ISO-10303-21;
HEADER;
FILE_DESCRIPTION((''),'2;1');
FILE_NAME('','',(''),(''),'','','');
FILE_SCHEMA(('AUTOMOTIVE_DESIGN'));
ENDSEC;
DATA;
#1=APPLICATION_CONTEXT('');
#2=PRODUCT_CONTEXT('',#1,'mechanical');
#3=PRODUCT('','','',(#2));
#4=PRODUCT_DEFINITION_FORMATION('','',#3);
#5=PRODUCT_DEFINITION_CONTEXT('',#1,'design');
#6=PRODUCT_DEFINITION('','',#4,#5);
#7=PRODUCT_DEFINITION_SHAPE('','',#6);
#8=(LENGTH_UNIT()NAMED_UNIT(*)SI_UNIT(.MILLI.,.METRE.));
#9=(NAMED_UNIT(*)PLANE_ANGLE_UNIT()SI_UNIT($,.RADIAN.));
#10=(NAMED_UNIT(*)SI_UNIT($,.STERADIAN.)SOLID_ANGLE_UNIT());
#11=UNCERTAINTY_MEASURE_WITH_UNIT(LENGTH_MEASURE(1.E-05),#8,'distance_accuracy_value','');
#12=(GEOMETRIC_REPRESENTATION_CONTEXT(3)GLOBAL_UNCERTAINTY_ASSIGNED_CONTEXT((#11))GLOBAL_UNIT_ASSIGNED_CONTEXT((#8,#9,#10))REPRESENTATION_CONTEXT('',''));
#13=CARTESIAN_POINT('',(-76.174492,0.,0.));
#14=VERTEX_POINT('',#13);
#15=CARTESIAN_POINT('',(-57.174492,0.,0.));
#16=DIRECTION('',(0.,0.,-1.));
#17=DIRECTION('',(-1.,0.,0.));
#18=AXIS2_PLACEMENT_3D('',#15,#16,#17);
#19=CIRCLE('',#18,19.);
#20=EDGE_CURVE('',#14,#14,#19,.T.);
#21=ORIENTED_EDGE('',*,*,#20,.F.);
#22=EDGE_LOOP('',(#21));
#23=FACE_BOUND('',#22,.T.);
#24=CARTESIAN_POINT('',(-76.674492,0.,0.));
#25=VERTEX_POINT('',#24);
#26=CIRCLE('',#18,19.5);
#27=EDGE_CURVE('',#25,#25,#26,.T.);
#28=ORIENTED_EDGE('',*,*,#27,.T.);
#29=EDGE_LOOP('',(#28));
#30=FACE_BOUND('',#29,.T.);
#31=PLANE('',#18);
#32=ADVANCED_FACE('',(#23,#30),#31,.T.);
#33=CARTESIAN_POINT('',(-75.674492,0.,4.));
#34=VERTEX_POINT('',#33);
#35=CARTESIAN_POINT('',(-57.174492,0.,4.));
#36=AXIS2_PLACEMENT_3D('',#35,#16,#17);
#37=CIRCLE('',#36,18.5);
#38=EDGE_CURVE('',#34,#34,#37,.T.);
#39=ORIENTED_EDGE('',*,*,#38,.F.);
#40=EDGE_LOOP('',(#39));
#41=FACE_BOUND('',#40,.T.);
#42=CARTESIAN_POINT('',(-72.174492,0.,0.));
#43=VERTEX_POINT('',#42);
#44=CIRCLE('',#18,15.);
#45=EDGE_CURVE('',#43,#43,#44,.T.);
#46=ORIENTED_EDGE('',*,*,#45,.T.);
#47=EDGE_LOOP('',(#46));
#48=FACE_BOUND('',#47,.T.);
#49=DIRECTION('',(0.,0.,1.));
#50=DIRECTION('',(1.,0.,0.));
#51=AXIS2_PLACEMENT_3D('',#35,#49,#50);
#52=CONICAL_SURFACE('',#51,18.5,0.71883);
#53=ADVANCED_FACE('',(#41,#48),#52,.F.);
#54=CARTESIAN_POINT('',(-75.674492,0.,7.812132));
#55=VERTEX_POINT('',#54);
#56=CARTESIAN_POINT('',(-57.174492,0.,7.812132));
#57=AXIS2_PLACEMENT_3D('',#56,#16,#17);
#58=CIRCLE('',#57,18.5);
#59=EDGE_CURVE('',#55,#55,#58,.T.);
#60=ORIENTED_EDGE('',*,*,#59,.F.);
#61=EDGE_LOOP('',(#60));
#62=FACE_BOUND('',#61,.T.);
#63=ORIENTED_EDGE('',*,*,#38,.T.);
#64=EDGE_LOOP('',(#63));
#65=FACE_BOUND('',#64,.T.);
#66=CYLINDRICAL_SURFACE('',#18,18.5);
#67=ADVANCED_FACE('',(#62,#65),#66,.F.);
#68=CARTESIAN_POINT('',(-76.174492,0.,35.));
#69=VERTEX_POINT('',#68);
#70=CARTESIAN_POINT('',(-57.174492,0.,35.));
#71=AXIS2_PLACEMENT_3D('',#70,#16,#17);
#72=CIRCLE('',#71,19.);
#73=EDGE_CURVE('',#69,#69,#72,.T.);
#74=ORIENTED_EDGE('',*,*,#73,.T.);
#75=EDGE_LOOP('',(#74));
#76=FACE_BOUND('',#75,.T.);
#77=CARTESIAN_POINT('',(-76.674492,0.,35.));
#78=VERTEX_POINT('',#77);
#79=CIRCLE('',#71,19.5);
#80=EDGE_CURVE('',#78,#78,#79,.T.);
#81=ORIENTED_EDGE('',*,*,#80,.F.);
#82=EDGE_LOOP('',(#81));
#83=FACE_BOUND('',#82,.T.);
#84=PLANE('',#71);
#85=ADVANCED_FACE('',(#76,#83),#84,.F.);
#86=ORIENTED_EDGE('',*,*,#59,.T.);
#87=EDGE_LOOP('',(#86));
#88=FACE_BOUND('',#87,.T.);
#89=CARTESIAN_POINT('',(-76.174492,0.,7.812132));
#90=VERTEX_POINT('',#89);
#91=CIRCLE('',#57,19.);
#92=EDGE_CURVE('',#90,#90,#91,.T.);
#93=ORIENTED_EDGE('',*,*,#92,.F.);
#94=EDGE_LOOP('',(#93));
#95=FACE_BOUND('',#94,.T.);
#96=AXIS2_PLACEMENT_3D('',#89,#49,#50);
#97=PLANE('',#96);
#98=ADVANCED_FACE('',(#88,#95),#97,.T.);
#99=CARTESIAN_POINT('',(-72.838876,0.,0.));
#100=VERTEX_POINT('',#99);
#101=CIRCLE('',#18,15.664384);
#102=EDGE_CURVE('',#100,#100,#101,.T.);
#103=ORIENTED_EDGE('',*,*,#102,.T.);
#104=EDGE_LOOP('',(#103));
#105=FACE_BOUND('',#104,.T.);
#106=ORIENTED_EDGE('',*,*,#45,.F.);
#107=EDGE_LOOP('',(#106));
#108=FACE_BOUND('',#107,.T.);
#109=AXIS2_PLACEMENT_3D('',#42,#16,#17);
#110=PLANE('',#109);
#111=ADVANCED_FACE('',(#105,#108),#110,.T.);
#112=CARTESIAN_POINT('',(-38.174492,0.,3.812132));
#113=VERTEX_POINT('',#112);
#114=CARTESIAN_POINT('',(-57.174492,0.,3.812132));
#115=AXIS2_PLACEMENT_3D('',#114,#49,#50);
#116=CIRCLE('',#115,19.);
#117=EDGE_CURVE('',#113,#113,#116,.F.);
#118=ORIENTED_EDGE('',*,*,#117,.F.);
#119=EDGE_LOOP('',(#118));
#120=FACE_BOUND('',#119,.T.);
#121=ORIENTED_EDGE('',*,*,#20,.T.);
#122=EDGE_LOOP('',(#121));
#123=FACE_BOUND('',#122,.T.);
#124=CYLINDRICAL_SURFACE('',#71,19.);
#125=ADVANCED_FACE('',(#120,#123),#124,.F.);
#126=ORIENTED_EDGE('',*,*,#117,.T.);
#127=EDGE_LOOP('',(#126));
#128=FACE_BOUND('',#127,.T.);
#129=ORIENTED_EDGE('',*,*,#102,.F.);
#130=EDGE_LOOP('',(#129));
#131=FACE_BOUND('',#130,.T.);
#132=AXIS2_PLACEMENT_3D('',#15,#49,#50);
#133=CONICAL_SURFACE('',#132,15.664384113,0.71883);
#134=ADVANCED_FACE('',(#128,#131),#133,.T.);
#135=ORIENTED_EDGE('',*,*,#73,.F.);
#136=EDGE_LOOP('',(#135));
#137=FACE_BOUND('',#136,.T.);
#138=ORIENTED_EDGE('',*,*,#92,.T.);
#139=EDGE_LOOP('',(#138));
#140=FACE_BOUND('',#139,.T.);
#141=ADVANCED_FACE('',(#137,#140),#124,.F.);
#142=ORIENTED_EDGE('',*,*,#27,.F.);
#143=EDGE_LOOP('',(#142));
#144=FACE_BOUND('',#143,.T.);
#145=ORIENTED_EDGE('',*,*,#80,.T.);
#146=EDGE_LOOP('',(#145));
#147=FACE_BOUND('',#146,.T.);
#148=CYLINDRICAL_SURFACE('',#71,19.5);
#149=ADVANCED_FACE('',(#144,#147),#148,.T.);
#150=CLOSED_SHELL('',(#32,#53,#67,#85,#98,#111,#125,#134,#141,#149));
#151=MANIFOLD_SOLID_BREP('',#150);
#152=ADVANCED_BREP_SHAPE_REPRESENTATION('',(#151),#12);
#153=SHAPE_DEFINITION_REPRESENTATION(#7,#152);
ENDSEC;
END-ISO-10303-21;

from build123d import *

# Parameters (mm, degrees)
EXTRUDE1_START = -35
SKETCH2_R      = 19.5
SKETCH2_R_2    = 19
EXTRUDE1_DEPTH = 35


with BuildPart() as part:
    # Sketch1 → Revolve1 (revolve)
    with BuildSketch(Plane(origin=(0, 0, 0), x_dir=(1, 0, 0), z_dir=(0, 1, 0))):
        Polygon((-72.838876034, 0), (-76.174491921, -3.812132442), (-76.174491921, -7.812132442), (-75.674491921, -7.812132442), (-75.674491921, -4), (-72.174491921, 0), align=None)
    revolve(axis=Axis((-57.174491921, 0, 0), (0, 0, 1)))

    # Sketch2 → Extrude1 (add)
    with BuildSketch(Plane(origin=(0, 0, 0), x_dir=(-1, 0, 0), z_dir=(0, 0, -1)).offset(EXTRUDE1_START)):
        with Locations((57.174491921, 0)):
            Circle(SKETCH2_R)
        with Locations((57.174491921, 0)):
            Circle(SKETCH2_R_2, mode=Mode.SUBTRACT)
    extrude(amount=EXTRUDE1_DEPTH)


solid = part.part
